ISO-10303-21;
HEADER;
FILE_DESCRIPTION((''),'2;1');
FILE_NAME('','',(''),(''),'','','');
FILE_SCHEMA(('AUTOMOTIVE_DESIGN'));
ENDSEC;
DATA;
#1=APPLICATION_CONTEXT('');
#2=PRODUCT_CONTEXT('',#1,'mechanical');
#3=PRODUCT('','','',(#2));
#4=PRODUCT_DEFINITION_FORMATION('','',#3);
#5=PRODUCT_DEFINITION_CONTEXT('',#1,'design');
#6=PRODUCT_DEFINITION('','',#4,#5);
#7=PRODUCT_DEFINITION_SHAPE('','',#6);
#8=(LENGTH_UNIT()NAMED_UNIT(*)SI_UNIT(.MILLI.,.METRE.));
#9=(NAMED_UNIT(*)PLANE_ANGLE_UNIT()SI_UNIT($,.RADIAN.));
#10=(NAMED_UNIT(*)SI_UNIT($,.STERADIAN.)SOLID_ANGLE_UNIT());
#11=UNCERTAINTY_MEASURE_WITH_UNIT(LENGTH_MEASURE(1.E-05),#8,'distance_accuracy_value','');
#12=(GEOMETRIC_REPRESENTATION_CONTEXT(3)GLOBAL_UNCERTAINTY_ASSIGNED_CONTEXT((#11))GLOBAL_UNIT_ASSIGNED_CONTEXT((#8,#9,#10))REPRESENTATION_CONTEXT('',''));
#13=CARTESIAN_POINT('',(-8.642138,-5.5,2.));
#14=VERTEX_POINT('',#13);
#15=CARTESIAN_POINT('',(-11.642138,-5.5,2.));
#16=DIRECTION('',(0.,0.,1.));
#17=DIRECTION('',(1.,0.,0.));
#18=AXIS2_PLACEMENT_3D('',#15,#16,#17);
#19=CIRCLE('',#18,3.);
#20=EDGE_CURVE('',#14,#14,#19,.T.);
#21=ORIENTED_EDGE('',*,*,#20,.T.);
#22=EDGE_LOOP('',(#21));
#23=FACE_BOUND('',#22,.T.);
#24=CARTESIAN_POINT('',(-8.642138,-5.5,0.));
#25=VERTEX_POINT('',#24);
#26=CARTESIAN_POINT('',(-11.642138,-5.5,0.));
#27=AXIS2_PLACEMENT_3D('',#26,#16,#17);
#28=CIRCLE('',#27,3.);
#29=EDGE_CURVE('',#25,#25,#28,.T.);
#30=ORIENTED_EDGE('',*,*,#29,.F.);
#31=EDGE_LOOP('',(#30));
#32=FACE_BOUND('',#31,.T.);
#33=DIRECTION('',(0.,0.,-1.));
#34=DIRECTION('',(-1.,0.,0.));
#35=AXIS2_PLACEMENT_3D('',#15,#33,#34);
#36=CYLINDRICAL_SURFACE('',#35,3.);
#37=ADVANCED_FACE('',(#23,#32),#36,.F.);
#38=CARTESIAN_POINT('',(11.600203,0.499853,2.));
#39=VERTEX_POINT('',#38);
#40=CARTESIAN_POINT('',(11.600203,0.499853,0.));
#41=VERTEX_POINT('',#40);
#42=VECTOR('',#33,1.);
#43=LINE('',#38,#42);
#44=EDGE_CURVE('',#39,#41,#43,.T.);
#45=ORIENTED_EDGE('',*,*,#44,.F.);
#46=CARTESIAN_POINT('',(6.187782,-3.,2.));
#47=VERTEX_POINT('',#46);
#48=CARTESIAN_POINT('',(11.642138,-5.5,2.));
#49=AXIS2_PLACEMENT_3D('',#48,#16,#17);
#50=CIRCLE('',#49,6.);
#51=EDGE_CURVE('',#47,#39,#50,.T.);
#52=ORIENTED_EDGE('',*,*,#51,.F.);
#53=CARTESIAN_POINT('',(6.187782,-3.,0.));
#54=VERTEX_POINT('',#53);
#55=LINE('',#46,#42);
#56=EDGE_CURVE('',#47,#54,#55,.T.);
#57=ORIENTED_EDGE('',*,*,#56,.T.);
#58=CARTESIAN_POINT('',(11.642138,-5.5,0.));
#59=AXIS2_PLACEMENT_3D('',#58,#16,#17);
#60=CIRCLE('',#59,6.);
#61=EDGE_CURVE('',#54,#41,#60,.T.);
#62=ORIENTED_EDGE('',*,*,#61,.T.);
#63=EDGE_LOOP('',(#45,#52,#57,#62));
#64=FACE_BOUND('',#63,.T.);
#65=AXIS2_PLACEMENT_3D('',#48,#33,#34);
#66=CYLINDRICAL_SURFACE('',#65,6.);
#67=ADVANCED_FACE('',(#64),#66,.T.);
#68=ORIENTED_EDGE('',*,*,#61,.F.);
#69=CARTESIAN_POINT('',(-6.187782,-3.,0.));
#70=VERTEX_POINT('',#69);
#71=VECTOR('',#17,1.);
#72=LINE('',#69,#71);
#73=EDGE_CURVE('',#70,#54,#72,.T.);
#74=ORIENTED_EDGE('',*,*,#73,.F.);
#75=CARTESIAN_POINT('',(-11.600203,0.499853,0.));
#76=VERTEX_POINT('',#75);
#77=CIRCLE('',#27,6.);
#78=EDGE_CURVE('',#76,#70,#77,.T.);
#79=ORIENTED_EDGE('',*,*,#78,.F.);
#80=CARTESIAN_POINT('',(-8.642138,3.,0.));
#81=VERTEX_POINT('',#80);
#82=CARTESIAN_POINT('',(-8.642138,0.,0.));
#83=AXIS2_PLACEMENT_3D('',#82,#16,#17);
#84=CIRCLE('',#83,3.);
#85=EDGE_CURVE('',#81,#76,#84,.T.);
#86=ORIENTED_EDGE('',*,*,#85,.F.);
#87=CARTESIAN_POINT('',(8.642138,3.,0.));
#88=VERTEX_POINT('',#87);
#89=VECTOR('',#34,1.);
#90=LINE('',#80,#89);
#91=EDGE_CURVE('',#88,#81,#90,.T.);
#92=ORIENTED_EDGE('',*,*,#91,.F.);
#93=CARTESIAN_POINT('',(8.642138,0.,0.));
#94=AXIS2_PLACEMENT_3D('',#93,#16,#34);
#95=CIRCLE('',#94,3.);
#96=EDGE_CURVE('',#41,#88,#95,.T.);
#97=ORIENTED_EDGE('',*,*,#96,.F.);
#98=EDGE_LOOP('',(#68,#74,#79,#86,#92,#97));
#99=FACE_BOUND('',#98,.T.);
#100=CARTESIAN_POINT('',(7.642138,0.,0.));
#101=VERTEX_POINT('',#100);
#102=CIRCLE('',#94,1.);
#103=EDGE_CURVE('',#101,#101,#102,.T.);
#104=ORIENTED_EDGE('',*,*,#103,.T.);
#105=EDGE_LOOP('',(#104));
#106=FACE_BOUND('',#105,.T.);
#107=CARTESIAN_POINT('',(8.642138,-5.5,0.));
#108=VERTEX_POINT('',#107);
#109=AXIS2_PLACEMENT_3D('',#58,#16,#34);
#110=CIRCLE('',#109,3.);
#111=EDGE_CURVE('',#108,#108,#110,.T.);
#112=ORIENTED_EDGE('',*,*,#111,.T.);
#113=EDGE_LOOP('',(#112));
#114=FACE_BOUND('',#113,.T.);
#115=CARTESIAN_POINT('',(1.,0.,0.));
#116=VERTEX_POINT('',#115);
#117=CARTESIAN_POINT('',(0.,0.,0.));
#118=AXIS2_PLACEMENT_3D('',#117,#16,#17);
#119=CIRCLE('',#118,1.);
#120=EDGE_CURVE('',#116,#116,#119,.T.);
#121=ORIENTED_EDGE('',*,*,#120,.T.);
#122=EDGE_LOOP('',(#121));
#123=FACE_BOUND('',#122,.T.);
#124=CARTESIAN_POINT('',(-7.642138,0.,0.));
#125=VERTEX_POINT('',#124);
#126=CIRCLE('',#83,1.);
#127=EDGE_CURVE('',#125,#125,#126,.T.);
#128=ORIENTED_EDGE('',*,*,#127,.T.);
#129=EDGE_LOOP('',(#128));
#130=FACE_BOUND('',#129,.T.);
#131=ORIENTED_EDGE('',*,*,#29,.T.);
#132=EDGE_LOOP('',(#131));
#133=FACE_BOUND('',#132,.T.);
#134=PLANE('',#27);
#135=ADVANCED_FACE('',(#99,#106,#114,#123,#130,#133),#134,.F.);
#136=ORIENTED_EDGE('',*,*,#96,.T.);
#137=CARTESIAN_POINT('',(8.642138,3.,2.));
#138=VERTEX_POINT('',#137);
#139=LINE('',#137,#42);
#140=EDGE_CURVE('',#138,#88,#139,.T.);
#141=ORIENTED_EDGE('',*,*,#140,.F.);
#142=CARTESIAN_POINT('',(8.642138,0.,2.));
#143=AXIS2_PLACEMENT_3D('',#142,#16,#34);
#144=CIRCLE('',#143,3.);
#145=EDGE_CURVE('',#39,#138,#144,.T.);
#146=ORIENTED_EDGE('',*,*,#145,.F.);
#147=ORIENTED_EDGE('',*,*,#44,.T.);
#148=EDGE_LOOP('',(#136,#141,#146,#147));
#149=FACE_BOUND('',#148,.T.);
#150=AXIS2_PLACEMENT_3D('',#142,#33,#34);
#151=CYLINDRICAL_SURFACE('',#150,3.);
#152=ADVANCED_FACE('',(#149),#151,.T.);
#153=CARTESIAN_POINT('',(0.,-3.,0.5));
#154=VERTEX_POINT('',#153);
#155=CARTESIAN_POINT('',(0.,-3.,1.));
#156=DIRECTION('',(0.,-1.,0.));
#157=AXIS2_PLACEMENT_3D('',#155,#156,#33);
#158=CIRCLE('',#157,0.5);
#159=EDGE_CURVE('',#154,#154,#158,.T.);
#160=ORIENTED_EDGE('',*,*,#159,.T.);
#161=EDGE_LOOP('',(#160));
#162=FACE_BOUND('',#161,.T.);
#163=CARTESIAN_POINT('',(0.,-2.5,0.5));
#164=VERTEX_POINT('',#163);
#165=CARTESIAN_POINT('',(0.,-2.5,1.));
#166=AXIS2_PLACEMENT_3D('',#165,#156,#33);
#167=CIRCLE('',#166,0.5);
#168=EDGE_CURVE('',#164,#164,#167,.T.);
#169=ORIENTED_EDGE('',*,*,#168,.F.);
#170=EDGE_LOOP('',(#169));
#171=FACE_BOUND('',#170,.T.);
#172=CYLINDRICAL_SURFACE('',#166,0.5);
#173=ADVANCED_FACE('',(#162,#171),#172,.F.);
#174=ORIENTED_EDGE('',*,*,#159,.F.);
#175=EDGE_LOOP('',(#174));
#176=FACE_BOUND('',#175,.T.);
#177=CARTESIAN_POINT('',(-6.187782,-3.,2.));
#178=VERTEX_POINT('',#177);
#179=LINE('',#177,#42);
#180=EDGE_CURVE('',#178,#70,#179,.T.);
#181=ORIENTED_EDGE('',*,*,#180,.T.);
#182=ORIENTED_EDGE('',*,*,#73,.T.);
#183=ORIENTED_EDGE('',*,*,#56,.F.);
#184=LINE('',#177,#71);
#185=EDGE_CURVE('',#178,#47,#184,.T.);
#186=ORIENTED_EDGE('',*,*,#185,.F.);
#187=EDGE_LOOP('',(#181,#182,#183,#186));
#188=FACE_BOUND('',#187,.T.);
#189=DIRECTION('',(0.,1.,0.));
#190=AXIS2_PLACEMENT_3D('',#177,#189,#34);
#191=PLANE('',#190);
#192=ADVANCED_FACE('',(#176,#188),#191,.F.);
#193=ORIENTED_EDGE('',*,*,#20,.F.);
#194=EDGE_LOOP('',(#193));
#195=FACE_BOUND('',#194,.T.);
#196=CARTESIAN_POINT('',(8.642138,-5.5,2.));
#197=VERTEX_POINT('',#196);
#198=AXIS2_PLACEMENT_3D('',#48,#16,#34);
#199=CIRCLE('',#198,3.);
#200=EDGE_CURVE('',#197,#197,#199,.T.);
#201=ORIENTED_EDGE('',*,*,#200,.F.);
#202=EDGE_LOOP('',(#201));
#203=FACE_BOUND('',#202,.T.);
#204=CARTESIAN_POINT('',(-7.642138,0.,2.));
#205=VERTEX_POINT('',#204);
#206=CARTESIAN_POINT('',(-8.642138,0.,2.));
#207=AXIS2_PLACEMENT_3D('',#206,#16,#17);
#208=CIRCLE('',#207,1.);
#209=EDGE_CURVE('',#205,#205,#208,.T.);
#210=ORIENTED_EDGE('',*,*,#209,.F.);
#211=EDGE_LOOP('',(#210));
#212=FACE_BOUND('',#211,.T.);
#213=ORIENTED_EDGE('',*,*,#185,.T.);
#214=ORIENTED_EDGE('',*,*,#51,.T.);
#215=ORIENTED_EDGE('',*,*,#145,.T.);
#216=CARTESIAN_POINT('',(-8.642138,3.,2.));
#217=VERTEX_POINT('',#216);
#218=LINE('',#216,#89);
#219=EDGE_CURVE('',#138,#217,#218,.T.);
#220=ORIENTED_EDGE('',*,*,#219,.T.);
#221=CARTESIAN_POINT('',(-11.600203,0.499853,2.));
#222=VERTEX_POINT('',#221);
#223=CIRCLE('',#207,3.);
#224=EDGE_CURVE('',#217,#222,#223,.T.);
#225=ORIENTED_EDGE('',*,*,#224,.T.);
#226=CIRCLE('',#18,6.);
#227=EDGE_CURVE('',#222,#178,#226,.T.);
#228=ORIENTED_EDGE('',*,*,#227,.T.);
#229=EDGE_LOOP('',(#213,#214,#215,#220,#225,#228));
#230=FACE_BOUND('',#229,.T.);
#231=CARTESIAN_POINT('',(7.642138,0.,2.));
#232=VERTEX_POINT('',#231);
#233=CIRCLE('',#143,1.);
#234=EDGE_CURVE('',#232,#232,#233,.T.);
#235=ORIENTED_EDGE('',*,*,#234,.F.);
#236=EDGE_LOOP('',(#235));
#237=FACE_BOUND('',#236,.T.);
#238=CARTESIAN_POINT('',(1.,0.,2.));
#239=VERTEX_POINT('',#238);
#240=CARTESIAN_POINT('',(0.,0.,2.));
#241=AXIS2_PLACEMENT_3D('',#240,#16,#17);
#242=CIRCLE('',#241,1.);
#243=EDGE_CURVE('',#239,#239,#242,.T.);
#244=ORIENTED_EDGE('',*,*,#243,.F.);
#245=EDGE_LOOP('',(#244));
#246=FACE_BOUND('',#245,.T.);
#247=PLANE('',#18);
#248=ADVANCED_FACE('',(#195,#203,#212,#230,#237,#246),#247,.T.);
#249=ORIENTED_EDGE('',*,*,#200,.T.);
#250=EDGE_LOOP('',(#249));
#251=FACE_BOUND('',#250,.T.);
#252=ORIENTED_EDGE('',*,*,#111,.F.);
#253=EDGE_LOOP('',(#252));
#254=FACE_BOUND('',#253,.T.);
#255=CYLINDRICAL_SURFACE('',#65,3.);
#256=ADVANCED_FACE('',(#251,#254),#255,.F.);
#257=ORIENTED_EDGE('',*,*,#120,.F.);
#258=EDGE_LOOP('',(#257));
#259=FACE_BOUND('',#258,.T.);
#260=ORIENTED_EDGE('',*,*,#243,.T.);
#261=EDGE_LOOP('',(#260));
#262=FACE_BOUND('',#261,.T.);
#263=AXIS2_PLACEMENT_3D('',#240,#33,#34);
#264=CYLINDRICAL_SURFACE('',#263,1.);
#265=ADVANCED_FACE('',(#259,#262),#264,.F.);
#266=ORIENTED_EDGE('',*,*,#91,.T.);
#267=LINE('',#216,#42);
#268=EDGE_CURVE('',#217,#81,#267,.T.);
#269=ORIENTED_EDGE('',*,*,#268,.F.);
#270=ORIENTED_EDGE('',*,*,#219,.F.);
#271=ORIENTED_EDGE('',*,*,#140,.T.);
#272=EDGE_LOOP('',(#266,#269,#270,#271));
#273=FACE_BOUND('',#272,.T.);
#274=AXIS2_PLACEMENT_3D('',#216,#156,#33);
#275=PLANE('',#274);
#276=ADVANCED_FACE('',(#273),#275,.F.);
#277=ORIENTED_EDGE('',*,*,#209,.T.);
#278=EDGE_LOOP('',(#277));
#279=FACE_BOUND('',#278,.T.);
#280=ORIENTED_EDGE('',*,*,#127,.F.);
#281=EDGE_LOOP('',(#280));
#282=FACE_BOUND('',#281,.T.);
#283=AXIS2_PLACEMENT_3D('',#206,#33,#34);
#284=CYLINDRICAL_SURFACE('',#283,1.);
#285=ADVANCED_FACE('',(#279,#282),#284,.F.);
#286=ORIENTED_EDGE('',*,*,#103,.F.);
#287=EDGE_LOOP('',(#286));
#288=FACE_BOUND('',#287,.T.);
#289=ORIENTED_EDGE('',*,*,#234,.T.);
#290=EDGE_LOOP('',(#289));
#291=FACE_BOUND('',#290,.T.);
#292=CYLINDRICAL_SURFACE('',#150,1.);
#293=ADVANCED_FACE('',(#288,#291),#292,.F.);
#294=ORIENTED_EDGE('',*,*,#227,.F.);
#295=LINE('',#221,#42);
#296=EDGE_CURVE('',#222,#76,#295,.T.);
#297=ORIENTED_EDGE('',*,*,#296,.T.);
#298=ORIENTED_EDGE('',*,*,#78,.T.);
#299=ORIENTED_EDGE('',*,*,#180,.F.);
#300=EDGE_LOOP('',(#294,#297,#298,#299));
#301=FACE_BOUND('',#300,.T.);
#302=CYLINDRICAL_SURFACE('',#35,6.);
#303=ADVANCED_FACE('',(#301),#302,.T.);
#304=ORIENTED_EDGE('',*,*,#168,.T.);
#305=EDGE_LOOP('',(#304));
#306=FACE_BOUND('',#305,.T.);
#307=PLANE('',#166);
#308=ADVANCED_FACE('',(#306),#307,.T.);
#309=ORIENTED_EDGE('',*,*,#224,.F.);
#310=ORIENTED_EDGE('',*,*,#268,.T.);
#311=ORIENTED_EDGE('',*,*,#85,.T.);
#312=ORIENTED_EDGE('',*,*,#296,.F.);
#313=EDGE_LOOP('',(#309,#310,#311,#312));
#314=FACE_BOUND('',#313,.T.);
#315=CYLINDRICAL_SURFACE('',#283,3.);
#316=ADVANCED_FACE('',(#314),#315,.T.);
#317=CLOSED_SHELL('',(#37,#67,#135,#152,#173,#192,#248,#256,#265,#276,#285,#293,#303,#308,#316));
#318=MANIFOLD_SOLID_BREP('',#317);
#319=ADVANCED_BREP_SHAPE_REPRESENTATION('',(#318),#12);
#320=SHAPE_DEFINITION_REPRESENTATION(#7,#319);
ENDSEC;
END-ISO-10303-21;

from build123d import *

# Parameters (mm, degrees)
SKETCH1_R           = 3
SKETCH1_R_2         = 1
BOSS_EXTRUDE1_DEPTH = 2
SKETCH2_R           = 0.5
CUT_EXTRUDE1_DEPTH  = 0.5


with BuildPart() as part:
    # Sketch1 → Boss-Extrude1 (new body)
    with BuildSketch(Plane.XY):
        with BuildLine():
            Line((-8.642138301, 3), (8.642138301, 3))
            ThreePointArc((8.642138301, 3), (10.578686732, 2.291239877), (11.600202961, 0.49985345))
            ThreePointArc((11.600202961, 0.49985345), (14.900135896, -10.538397729), (6.187782244, -3))
            Line((6.187782244, -3), (-6.187782244, -3))
            ThreePointArc((-6.187782244, -3), (-14.900135896, -10.538397729), (-11.600202961, 0.49985345))
            ThreePointArc((-11.600202961, 0.49985345), (-10.578686732, 2.291239877), (-8.642138301, 3))
        make_face()
        with Locations((-11.642138301, -5.5)):
            Circle(SKETCH1_R, mode=Mode.SUBTRACT)
        with Locations((11.642138301, -5.5)):
            Circle(SKETCH1_R, mode=Mode.SUBTRACT)
        with Locations((8.642138301, 0)):
            Circle(SKETCH1_R_2, mode=Mode.SUBTRACT)
        with Locations((-8.642138301, 0)):
            Circle(SKETCH1_R_2, mode=Mode.SUBTRACT)
        Circle(SKETCH1_R_2, mode=Mode.SUBTRACT)
    extrude(amount=BOSS_EXTRUDE1_DEPTH)

    # Sketch2 → Cut-Extrude1 (cut)
    with BuildSketch(Plane.XZ.offset(3)):
        with Locations((0, 1)):
            Circle(SKETCH2_R)
    extrude(amount=-CUT_EXTRUDE1_DEPTH, mode=Mode.SUBTRACT)


solid = part.part
